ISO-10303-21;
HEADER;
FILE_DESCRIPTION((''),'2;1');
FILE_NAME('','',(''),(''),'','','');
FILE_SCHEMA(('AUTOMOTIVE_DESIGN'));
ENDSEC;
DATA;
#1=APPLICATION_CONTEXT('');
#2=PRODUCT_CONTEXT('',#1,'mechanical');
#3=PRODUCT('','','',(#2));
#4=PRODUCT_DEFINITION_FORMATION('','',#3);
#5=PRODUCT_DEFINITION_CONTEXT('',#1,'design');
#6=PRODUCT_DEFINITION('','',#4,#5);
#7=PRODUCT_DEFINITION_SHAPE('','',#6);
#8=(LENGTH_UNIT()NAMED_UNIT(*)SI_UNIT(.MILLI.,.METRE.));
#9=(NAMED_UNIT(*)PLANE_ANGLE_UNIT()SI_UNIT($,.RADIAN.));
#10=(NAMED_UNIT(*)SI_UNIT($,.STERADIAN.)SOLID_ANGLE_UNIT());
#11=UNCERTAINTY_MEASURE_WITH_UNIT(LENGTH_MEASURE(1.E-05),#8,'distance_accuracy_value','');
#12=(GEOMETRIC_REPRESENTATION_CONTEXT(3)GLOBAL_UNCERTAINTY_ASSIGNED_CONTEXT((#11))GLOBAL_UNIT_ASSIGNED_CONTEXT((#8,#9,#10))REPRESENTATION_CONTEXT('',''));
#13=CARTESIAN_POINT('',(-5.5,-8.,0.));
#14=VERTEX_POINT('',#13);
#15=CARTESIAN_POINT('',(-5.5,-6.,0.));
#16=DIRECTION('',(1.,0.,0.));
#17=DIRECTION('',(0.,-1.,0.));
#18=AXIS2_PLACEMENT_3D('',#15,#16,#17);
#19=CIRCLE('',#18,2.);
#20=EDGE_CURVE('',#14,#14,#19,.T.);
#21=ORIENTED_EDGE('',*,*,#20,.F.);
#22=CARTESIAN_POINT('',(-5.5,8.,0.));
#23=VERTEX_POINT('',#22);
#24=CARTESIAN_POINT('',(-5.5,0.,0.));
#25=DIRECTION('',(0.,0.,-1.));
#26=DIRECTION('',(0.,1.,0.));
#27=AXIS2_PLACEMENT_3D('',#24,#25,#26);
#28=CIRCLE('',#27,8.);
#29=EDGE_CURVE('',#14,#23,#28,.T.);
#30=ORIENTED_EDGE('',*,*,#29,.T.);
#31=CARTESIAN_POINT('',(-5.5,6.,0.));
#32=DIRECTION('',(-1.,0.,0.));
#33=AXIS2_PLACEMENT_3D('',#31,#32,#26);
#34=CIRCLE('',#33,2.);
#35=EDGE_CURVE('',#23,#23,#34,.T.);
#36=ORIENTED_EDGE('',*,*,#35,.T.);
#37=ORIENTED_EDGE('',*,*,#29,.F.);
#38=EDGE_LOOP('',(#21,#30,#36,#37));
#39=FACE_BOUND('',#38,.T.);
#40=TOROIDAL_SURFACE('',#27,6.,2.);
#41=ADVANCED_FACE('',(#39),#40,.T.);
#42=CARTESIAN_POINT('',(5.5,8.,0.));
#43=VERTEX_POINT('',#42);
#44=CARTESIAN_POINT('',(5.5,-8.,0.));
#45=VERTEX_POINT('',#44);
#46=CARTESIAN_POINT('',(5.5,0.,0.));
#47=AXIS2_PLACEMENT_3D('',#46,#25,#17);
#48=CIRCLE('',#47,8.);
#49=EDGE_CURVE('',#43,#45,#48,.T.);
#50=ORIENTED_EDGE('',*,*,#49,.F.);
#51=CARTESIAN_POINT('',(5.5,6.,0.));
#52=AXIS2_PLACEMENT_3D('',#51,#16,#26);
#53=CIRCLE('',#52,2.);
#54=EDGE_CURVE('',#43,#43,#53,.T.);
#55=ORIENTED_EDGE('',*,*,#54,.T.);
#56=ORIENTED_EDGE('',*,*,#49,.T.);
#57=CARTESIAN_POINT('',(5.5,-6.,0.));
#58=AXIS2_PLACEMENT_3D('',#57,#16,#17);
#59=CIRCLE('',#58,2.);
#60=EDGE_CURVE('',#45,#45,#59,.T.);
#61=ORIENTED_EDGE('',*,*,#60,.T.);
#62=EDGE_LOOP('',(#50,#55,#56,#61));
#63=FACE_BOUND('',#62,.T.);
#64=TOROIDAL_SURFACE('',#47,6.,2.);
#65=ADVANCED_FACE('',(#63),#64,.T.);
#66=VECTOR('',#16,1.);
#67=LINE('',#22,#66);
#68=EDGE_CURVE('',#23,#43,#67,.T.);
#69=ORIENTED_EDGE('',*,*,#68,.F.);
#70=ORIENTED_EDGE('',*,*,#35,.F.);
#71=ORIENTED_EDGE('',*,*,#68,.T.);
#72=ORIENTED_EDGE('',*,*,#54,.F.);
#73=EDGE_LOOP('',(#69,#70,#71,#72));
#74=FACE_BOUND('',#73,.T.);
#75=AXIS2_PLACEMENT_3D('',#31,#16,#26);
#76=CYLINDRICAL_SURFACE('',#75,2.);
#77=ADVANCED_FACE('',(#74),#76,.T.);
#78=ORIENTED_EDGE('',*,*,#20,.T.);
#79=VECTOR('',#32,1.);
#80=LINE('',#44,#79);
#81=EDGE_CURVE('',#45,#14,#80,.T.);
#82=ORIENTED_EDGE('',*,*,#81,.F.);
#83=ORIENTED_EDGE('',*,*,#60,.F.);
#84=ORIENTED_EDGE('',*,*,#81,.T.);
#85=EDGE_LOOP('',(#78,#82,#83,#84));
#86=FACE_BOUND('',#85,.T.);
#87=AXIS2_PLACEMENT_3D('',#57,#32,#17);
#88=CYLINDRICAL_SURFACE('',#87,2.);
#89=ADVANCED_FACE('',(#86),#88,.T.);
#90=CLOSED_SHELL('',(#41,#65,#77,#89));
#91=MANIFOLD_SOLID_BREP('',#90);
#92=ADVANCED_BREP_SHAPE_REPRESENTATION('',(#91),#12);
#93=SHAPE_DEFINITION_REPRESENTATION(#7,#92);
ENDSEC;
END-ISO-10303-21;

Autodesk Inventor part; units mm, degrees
ref_plane "YZ Plane" through (0, 0, 0) normal (1, 0, 0) x (0, 1, 0)
ref_plane "XZ Plane" through (0, 0, 0) normal (0, 1, 0) x (-1, 0, 0)
sketch "Boceto2" plane through (0, 0, 0) normal (1, 0, 0) x (0, 1, 0)
  circle A0 centre (6, 0) radius 2
  point P0 (0, 0)
  dimension "d4" = 4
sketch "Boceto1" plane through (0, 0, 0) normal (0, 0, 1) x (1, 0, 0)
  line L0 (-5.5, 0) -> (5.5, 0) construction
  line L1 (-5.5, -8) -> (5.5, -8)
  line L2 (5.5, 8) -> (-5.5, 8)
  arc A0 (-5.5, 8) -> (-5.5, -8) centre (-5.5, 0) ccw
  arc A1 (5.5, -8) -> (5.5, 8) centre (5.5, 0) ccw
  line L3 (-5.5, 0) -> (5.5, 0) construction
  line L4 (-5.5, -4) -> (5.5, -4)
  line L5 (5.5, 4) -> (-5.5, 4)
  arc A2 (-5.5, 4) -> (-5.5, -4) centre (-5.5, 0) ccw
  arc A3 (5.5, -4) -> (5.5, 4) centre (5.5, 0) ccw
  line L6 (-5.5, 6) -> (5.5, 6)
  arc A4 (5.5, -6) -> (5.5, 6) centre (5.5, 0) ccw
  line L7 (5.5, -6) -> (-5.5, -6)
  arc A5 (-5.5, 6) -> (-5.5, -6) centre (-5.5, 0) ccw
  point P0 (0, 0)
  dimension "d0" = 16
  dimension "d1" = 4
  dimension "d2" = 19
  dimension "d3" = 2
sweep "Barrido1" add profiles "Boceto2" path "Boceto1" path curves L6 A4 L7 A5
ref_plane "Plano de trabajo1" through (-5.5, 0, 0) normal (0, 0, -1) x (-1, 0, 0)
sketch "Boceto3" plane through (-5.5, 0, 0) normal (0, 0, -1) x (-1, 0, 0)
  arc A0 (-11, 8) -> (-11, -8) centre (-11, 0) ccw projected
  point P0 (-5.5, 0)
  point P1 (4, 0)
  point P2 (-15, 0)
  point P3 (8, 0)
  point P4 (-19, 0)
properties part number "cadena" material "Acero"
